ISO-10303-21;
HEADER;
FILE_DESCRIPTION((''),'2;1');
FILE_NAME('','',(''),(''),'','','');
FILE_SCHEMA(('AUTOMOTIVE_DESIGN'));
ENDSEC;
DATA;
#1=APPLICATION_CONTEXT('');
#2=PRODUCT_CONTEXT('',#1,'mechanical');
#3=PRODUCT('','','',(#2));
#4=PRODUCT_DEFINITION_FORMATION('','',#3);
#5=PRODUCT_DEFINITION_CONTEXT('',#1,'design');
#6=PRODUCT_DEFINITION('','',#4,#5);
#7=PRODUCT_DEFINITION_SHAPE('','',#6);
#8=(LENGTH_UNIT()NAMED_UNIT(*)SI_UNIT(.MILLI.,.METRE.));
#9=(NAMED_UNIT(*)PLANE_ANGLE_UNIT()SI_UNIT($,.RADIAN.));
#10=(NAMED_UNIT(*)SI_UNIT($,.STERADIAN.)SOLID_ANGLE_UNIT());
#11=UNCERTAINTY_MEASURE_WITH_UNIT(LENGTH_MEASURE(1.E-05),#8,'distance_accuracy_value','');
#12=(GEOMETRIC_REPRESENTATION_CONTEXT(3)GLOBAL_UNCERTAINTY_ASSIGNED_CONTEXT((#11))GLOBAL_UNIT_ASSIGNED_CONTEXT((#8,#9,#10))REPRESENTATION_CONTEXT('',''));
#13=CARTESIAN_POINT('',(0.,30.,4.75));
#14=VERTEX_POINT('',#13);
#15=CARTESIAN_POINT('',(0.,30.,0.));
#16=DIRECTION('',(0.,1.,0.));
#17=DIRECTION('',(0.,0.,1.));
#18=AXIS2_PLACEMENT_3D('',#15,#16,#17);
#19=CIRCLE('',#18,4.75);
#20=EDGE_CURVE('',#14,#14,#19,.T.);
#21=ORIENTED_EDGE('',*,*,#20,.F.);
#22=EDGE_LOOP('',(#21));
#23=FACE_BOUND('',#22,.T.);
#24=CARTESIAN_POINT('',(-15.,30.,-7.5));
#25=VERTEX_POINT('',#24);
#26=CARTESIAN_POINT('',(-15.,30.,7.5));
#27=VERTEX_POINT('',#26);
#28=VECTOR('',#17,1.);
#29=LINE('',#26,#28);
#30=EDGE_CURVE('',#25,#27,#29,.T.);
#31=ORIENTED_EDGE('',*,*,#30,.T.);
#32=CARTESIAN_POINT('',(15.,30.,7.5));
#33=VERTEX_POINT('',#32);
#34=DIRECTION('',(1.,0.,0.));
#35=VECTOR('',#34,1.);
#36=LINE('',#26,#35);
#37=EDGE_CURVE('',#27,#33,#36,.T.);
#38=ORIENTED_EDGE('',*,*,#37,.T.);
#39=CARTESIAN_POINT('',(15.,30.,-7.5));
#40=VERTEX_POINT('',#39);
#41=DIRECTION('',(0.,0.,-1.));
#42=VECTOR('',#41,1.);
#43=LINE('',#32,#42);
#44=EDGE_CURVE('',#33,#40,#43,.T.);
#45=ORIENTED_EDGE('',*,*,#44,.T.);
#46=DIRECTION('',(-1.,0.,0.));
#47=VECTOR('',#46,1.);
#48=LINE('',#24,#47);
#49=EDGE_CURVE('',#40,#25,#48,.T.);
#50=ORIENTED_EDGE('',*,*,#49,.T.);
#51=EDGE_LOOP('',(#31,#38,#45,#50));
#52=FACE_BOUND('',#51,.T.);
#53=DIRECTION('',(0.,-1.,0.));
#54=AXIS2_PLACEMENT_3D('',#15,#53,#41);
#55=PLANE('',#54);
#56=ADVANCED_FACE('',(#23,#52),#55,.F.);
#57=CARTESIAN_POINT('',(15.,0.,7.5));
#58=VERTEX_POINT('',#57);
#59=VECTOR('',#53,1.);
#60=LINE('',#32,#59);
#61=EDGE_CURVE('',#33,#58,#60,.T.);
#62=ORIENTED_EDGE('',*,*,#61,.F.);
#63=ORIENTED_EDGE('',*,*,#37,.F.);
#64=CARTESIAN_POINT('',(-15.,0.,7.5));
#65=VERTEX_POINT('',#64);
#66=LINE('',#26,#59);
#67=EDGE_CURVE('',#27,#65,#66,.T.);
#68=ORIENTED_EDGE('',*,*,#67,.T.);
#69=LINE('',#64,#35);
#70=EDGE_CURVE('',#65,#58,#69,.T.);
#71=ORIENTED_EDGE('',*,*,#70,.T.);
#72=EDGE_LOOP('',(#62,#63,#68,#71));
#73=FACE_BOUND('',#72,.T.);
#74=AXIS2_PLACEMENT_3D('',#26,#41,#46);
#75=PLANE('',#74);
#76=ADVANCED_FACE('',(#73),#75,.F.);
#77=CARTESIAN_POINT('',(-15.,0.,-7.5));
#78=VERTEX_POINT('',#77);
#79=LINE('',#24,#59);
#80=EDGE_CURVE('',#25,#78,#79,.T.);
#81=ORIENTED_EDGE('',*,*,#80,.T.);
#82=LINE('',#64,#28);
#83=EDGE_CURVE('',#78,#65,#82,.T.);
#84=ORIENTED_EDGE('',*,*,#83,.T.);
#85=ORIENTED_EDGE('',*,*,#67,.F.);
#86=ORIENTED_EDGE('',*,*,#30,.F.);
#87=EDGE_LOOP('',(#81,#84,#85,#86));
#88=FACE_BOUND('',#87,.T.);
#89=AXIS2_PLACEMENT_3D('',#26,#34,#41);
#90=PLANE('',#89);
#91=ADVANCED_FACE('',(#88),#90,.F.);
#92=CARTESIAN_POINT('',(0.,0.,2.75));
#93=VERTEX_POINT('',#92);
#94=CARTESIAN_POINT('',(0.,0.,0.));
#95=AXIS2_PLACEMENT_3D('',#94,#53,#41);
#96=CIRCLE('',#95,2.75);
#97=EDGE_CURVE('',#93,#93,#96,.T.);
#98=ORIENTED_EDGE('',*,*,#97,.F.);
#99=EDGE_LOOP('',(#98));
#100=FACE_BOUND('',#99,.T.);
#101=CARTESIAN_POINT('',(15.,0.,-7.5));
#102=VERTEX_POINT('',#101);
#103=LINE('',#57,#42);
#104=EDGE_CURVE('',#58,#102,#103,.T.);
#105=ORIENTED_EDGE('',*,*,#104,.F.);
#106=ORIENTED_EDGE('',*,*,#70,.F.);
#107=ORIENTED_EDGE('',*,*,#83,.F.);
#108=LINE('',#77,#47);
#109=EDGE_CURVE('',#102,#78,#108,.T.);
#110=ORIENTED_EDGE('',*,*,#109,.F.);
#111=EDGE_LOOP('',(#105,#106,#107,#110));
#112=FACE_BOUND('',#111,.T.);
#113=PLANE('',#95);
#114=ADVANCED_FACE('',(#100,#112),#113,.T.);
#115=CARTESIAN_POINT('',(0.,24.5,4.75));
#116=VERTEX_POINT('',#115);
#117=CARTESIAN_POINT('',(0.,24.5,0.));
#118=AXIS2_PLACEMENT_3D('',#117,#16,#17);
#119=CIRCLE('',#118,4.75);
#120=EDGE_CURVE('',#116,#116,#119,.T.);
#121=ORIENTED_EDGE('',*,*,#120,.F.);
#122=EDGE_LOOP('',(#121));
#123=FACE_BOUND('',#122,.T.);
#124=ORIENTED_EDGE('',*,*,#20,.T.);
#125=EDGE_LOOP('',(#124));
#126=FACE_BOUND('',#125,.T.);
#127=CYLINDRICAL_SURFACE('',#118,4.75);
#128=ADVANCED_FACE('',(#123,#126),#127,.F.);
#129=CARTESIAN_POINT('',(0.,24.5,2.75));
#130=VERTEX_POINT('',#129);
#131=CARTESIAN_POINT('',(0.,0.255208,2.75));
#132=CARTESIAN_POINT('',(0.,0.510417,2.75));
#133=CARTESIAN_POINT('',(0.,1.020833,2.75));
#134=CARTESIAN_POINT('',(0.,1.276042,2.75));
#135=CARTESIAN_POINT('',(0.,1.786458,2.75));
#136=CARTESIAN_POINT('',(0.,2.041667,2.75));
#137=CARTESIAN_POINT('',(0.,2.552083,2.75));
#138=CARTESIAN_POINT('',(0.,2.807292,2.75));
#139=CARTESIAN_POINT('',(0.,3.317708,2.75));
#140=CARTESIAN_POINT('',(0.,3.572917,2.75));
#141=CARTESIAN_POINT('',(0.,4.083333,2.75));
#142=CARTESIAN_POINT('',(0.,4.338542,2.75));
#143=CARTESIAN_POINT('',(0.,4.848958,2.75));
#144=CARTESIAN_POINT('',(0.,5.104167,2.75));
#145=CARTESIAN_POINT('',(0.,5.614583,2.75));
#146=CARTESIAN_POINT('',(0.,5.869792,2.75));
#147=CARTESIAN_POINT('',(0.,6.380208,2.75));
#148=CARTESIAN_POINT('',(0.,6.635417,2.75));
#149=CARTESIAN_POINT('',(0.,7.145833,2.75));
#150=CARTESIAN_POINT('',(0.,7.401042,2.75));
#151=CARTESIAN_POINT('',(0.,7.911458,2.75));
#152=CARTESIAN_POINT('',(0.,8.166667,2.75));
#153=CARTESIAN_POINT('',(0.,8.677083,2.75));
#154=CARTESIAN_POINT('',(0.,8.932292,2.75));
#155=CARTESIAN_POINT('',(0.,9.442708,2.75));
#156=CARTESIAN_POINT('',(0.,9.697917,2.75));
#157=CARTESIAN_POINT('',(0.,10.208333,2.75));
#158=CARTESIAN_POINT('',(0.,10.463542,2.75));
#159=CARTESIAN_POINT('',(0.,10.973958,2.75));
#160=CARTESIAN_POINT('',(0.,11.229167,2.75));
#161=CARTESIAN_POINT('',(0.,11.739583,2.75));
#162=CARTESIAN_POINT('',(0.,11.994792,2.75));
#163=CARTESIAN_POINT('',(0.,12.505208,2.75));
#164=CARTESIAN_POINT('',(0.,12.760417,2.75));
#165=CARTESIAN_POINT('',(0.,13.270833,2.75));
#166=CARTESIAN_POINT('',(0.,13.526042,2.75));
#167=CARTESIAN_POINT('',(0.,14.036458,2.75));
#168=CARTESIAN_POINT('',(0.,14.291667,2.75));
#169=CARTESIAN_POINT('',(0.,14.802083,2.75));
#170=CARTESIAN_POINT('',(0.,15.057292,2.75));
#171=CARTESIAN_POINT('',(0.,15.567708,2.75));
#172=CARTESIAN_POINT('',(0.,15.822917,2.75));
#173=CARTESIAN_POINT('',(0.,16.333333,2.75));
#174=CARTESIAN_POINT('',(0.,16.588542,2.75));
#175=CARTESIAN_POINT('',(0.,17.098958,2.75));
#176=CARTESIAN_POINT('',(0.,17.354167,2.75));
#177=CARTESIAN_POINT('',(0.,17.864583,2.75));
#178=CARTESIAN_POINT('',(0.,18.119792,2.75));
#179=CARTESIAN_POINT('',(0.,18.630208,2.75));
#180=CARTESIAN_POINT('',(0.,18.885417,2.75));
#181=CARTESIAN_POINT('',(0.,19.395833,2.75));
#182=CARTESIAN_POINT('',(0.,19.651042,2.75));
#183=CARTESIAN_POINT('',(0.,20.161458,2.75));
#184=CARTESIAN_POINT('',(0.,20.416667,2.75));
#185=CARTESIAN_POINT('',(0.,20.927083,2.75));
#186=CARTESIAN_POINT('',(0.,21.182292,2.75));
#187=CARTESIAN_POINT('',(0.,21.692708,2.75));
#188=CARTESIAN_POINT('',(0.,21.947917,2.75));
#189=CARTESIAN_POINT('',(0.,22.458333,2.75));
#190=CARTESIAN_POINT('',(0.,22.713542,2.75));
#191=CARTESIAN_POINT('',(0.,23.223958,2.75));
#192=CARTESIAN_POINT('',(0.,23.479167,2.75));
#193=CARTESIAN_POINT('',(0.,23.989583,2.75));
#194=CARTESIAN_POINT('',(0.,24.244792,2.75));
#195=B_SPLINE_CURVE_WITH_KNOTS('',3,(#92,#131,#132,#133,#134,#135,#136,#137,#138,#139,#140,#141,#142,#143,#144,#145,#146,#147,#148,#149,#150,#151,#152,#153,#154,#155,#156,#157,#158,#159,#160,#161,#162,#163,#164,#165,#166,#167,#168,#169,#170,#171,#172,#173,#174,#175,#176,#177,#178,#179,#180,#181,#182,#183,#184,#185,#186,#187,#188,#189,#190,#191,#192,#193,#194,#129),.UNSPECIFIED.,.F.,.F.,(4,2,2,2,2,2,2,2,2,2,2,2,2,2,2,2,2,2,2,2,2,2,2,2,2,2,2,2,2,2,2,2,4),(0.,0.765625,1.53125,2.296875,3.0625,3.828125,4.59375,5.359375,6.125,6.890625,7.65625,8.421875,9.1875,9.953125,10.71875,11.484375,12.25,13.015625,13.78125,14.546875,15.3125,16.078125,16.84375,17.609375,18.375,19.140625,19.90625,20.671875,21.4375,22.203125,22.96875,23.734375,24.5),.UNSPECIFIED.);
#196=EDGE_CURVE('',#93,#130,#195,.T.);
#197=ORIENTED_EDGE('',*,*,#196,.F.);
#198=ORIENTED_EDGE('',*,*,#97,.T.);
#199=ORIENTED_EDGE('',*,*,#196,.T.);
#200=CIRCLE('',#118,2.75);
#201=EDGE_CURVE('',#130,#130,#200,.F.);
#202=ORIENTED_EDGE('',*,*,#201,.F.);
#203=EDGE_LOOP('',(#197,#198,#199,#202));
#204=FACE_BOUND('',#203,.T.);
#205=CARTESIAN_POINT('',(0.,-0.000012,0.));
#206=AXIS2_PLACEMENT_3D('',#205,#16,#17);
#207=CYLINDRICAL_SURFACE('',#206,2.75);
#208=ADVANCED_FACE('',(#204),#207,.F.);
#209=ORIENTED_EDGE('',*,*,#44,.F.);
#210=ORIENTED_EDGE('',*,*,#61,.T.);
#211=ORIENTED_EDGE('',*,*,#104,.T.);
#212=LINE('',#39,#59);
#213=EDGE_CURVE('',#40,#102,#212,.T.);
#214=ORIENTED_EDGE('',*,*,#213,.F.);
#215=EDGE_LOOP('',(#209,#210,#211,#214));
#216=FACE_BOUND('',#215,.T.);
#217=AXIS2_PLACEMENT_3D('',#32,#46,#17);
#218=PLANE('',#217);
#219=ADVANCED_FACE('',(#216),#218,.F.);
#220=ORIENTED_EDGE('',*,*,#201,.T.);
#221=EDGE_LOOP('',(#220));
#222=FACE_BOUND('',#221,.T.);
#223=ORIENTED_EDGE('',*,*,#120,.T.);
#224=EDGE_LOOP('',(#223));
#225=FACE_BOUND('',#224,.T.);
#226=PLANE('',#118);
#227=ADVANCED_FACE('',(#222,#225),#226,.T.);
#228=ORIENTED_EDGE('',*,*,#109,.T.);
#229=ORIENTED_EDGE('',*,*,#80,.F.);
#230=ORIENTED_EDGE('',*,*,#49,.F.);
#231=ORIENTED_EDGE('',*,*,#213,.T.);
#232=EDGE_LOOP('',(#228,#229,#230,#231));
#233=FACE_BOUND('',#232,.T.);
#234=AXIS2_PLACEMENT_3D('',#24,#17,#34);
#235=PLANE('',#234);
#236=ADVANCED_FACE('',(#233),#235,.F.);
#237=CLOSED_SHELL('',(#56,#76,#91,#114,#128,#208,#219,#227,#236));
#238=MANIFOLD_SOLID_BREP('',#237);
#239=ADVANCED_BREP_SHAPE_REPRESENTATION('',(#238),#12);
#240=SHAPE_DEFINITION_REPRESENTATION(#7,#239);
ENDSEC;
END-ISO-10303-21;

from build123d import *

# Parameters (mm, degrees)
SKETCH1_W               = 30
SKETCH1_H               = 15
BOSS_EXTRUDE1_DEPTH     = 30
CUT_EXTRUDE1_DEPTH      = 35.369317712
CUT_EXTRUDE1_DEPTH_BACK = 35.369317712
SKETCH2_R               = 2.75
SKETCH3_R               = 4.75
CUT_EXTRUDE3_DEPTH      = 5.5


with BuildPart() as part:
    # Sketch1 → Boss-Extrude1 (new body)
    with BuildSketch(Plane(origin=(0, 0, 0), x_dir=(1, 0, 0), z_dir=(0, 1, 0))):
        Rectangle(SKETCH1_W, SKETCH1_H)
    extrude(amount=BOSS_EXTRUDE1_DEPTH)

    # Sketch2 → Cut-Extrude1 (cut, two sides: drawn at the far end of the back side and taken through both)
    with BuildSketch(Plane(origin=(0, 0, 0), x_dir=(1, 0, 0), z_dir=(0, 1, 0)).offset(-CUT_EXTRUDE1_DEPTH_BACK)):
        with Locations(Location((0, 0, 0), (0, 0, 270))):
            Circle(SKETCH2_R)
    extrude(amount=CUT_EXTRUDE1_DEPTH + CUT_EXTRUDE1_DEPTH_BACK, mode=Mode.SUBTRACT)

    # Sketch3 → Cut-Extrude3 (cut)
    with BuildSketch(Plane(origin=(0, 30, 0), x_dir=(1, 0, 0), z_dir=(0, 1, 0))):
        with Locations(Location((0, 0, 0), (0, 0, 270))):
            Circle(SKETCH3_R)
    extrude(amount=-CUT_EXTRUDE3_DEPTH, mode=Mode.SUBTRACT)


solid = part.part
